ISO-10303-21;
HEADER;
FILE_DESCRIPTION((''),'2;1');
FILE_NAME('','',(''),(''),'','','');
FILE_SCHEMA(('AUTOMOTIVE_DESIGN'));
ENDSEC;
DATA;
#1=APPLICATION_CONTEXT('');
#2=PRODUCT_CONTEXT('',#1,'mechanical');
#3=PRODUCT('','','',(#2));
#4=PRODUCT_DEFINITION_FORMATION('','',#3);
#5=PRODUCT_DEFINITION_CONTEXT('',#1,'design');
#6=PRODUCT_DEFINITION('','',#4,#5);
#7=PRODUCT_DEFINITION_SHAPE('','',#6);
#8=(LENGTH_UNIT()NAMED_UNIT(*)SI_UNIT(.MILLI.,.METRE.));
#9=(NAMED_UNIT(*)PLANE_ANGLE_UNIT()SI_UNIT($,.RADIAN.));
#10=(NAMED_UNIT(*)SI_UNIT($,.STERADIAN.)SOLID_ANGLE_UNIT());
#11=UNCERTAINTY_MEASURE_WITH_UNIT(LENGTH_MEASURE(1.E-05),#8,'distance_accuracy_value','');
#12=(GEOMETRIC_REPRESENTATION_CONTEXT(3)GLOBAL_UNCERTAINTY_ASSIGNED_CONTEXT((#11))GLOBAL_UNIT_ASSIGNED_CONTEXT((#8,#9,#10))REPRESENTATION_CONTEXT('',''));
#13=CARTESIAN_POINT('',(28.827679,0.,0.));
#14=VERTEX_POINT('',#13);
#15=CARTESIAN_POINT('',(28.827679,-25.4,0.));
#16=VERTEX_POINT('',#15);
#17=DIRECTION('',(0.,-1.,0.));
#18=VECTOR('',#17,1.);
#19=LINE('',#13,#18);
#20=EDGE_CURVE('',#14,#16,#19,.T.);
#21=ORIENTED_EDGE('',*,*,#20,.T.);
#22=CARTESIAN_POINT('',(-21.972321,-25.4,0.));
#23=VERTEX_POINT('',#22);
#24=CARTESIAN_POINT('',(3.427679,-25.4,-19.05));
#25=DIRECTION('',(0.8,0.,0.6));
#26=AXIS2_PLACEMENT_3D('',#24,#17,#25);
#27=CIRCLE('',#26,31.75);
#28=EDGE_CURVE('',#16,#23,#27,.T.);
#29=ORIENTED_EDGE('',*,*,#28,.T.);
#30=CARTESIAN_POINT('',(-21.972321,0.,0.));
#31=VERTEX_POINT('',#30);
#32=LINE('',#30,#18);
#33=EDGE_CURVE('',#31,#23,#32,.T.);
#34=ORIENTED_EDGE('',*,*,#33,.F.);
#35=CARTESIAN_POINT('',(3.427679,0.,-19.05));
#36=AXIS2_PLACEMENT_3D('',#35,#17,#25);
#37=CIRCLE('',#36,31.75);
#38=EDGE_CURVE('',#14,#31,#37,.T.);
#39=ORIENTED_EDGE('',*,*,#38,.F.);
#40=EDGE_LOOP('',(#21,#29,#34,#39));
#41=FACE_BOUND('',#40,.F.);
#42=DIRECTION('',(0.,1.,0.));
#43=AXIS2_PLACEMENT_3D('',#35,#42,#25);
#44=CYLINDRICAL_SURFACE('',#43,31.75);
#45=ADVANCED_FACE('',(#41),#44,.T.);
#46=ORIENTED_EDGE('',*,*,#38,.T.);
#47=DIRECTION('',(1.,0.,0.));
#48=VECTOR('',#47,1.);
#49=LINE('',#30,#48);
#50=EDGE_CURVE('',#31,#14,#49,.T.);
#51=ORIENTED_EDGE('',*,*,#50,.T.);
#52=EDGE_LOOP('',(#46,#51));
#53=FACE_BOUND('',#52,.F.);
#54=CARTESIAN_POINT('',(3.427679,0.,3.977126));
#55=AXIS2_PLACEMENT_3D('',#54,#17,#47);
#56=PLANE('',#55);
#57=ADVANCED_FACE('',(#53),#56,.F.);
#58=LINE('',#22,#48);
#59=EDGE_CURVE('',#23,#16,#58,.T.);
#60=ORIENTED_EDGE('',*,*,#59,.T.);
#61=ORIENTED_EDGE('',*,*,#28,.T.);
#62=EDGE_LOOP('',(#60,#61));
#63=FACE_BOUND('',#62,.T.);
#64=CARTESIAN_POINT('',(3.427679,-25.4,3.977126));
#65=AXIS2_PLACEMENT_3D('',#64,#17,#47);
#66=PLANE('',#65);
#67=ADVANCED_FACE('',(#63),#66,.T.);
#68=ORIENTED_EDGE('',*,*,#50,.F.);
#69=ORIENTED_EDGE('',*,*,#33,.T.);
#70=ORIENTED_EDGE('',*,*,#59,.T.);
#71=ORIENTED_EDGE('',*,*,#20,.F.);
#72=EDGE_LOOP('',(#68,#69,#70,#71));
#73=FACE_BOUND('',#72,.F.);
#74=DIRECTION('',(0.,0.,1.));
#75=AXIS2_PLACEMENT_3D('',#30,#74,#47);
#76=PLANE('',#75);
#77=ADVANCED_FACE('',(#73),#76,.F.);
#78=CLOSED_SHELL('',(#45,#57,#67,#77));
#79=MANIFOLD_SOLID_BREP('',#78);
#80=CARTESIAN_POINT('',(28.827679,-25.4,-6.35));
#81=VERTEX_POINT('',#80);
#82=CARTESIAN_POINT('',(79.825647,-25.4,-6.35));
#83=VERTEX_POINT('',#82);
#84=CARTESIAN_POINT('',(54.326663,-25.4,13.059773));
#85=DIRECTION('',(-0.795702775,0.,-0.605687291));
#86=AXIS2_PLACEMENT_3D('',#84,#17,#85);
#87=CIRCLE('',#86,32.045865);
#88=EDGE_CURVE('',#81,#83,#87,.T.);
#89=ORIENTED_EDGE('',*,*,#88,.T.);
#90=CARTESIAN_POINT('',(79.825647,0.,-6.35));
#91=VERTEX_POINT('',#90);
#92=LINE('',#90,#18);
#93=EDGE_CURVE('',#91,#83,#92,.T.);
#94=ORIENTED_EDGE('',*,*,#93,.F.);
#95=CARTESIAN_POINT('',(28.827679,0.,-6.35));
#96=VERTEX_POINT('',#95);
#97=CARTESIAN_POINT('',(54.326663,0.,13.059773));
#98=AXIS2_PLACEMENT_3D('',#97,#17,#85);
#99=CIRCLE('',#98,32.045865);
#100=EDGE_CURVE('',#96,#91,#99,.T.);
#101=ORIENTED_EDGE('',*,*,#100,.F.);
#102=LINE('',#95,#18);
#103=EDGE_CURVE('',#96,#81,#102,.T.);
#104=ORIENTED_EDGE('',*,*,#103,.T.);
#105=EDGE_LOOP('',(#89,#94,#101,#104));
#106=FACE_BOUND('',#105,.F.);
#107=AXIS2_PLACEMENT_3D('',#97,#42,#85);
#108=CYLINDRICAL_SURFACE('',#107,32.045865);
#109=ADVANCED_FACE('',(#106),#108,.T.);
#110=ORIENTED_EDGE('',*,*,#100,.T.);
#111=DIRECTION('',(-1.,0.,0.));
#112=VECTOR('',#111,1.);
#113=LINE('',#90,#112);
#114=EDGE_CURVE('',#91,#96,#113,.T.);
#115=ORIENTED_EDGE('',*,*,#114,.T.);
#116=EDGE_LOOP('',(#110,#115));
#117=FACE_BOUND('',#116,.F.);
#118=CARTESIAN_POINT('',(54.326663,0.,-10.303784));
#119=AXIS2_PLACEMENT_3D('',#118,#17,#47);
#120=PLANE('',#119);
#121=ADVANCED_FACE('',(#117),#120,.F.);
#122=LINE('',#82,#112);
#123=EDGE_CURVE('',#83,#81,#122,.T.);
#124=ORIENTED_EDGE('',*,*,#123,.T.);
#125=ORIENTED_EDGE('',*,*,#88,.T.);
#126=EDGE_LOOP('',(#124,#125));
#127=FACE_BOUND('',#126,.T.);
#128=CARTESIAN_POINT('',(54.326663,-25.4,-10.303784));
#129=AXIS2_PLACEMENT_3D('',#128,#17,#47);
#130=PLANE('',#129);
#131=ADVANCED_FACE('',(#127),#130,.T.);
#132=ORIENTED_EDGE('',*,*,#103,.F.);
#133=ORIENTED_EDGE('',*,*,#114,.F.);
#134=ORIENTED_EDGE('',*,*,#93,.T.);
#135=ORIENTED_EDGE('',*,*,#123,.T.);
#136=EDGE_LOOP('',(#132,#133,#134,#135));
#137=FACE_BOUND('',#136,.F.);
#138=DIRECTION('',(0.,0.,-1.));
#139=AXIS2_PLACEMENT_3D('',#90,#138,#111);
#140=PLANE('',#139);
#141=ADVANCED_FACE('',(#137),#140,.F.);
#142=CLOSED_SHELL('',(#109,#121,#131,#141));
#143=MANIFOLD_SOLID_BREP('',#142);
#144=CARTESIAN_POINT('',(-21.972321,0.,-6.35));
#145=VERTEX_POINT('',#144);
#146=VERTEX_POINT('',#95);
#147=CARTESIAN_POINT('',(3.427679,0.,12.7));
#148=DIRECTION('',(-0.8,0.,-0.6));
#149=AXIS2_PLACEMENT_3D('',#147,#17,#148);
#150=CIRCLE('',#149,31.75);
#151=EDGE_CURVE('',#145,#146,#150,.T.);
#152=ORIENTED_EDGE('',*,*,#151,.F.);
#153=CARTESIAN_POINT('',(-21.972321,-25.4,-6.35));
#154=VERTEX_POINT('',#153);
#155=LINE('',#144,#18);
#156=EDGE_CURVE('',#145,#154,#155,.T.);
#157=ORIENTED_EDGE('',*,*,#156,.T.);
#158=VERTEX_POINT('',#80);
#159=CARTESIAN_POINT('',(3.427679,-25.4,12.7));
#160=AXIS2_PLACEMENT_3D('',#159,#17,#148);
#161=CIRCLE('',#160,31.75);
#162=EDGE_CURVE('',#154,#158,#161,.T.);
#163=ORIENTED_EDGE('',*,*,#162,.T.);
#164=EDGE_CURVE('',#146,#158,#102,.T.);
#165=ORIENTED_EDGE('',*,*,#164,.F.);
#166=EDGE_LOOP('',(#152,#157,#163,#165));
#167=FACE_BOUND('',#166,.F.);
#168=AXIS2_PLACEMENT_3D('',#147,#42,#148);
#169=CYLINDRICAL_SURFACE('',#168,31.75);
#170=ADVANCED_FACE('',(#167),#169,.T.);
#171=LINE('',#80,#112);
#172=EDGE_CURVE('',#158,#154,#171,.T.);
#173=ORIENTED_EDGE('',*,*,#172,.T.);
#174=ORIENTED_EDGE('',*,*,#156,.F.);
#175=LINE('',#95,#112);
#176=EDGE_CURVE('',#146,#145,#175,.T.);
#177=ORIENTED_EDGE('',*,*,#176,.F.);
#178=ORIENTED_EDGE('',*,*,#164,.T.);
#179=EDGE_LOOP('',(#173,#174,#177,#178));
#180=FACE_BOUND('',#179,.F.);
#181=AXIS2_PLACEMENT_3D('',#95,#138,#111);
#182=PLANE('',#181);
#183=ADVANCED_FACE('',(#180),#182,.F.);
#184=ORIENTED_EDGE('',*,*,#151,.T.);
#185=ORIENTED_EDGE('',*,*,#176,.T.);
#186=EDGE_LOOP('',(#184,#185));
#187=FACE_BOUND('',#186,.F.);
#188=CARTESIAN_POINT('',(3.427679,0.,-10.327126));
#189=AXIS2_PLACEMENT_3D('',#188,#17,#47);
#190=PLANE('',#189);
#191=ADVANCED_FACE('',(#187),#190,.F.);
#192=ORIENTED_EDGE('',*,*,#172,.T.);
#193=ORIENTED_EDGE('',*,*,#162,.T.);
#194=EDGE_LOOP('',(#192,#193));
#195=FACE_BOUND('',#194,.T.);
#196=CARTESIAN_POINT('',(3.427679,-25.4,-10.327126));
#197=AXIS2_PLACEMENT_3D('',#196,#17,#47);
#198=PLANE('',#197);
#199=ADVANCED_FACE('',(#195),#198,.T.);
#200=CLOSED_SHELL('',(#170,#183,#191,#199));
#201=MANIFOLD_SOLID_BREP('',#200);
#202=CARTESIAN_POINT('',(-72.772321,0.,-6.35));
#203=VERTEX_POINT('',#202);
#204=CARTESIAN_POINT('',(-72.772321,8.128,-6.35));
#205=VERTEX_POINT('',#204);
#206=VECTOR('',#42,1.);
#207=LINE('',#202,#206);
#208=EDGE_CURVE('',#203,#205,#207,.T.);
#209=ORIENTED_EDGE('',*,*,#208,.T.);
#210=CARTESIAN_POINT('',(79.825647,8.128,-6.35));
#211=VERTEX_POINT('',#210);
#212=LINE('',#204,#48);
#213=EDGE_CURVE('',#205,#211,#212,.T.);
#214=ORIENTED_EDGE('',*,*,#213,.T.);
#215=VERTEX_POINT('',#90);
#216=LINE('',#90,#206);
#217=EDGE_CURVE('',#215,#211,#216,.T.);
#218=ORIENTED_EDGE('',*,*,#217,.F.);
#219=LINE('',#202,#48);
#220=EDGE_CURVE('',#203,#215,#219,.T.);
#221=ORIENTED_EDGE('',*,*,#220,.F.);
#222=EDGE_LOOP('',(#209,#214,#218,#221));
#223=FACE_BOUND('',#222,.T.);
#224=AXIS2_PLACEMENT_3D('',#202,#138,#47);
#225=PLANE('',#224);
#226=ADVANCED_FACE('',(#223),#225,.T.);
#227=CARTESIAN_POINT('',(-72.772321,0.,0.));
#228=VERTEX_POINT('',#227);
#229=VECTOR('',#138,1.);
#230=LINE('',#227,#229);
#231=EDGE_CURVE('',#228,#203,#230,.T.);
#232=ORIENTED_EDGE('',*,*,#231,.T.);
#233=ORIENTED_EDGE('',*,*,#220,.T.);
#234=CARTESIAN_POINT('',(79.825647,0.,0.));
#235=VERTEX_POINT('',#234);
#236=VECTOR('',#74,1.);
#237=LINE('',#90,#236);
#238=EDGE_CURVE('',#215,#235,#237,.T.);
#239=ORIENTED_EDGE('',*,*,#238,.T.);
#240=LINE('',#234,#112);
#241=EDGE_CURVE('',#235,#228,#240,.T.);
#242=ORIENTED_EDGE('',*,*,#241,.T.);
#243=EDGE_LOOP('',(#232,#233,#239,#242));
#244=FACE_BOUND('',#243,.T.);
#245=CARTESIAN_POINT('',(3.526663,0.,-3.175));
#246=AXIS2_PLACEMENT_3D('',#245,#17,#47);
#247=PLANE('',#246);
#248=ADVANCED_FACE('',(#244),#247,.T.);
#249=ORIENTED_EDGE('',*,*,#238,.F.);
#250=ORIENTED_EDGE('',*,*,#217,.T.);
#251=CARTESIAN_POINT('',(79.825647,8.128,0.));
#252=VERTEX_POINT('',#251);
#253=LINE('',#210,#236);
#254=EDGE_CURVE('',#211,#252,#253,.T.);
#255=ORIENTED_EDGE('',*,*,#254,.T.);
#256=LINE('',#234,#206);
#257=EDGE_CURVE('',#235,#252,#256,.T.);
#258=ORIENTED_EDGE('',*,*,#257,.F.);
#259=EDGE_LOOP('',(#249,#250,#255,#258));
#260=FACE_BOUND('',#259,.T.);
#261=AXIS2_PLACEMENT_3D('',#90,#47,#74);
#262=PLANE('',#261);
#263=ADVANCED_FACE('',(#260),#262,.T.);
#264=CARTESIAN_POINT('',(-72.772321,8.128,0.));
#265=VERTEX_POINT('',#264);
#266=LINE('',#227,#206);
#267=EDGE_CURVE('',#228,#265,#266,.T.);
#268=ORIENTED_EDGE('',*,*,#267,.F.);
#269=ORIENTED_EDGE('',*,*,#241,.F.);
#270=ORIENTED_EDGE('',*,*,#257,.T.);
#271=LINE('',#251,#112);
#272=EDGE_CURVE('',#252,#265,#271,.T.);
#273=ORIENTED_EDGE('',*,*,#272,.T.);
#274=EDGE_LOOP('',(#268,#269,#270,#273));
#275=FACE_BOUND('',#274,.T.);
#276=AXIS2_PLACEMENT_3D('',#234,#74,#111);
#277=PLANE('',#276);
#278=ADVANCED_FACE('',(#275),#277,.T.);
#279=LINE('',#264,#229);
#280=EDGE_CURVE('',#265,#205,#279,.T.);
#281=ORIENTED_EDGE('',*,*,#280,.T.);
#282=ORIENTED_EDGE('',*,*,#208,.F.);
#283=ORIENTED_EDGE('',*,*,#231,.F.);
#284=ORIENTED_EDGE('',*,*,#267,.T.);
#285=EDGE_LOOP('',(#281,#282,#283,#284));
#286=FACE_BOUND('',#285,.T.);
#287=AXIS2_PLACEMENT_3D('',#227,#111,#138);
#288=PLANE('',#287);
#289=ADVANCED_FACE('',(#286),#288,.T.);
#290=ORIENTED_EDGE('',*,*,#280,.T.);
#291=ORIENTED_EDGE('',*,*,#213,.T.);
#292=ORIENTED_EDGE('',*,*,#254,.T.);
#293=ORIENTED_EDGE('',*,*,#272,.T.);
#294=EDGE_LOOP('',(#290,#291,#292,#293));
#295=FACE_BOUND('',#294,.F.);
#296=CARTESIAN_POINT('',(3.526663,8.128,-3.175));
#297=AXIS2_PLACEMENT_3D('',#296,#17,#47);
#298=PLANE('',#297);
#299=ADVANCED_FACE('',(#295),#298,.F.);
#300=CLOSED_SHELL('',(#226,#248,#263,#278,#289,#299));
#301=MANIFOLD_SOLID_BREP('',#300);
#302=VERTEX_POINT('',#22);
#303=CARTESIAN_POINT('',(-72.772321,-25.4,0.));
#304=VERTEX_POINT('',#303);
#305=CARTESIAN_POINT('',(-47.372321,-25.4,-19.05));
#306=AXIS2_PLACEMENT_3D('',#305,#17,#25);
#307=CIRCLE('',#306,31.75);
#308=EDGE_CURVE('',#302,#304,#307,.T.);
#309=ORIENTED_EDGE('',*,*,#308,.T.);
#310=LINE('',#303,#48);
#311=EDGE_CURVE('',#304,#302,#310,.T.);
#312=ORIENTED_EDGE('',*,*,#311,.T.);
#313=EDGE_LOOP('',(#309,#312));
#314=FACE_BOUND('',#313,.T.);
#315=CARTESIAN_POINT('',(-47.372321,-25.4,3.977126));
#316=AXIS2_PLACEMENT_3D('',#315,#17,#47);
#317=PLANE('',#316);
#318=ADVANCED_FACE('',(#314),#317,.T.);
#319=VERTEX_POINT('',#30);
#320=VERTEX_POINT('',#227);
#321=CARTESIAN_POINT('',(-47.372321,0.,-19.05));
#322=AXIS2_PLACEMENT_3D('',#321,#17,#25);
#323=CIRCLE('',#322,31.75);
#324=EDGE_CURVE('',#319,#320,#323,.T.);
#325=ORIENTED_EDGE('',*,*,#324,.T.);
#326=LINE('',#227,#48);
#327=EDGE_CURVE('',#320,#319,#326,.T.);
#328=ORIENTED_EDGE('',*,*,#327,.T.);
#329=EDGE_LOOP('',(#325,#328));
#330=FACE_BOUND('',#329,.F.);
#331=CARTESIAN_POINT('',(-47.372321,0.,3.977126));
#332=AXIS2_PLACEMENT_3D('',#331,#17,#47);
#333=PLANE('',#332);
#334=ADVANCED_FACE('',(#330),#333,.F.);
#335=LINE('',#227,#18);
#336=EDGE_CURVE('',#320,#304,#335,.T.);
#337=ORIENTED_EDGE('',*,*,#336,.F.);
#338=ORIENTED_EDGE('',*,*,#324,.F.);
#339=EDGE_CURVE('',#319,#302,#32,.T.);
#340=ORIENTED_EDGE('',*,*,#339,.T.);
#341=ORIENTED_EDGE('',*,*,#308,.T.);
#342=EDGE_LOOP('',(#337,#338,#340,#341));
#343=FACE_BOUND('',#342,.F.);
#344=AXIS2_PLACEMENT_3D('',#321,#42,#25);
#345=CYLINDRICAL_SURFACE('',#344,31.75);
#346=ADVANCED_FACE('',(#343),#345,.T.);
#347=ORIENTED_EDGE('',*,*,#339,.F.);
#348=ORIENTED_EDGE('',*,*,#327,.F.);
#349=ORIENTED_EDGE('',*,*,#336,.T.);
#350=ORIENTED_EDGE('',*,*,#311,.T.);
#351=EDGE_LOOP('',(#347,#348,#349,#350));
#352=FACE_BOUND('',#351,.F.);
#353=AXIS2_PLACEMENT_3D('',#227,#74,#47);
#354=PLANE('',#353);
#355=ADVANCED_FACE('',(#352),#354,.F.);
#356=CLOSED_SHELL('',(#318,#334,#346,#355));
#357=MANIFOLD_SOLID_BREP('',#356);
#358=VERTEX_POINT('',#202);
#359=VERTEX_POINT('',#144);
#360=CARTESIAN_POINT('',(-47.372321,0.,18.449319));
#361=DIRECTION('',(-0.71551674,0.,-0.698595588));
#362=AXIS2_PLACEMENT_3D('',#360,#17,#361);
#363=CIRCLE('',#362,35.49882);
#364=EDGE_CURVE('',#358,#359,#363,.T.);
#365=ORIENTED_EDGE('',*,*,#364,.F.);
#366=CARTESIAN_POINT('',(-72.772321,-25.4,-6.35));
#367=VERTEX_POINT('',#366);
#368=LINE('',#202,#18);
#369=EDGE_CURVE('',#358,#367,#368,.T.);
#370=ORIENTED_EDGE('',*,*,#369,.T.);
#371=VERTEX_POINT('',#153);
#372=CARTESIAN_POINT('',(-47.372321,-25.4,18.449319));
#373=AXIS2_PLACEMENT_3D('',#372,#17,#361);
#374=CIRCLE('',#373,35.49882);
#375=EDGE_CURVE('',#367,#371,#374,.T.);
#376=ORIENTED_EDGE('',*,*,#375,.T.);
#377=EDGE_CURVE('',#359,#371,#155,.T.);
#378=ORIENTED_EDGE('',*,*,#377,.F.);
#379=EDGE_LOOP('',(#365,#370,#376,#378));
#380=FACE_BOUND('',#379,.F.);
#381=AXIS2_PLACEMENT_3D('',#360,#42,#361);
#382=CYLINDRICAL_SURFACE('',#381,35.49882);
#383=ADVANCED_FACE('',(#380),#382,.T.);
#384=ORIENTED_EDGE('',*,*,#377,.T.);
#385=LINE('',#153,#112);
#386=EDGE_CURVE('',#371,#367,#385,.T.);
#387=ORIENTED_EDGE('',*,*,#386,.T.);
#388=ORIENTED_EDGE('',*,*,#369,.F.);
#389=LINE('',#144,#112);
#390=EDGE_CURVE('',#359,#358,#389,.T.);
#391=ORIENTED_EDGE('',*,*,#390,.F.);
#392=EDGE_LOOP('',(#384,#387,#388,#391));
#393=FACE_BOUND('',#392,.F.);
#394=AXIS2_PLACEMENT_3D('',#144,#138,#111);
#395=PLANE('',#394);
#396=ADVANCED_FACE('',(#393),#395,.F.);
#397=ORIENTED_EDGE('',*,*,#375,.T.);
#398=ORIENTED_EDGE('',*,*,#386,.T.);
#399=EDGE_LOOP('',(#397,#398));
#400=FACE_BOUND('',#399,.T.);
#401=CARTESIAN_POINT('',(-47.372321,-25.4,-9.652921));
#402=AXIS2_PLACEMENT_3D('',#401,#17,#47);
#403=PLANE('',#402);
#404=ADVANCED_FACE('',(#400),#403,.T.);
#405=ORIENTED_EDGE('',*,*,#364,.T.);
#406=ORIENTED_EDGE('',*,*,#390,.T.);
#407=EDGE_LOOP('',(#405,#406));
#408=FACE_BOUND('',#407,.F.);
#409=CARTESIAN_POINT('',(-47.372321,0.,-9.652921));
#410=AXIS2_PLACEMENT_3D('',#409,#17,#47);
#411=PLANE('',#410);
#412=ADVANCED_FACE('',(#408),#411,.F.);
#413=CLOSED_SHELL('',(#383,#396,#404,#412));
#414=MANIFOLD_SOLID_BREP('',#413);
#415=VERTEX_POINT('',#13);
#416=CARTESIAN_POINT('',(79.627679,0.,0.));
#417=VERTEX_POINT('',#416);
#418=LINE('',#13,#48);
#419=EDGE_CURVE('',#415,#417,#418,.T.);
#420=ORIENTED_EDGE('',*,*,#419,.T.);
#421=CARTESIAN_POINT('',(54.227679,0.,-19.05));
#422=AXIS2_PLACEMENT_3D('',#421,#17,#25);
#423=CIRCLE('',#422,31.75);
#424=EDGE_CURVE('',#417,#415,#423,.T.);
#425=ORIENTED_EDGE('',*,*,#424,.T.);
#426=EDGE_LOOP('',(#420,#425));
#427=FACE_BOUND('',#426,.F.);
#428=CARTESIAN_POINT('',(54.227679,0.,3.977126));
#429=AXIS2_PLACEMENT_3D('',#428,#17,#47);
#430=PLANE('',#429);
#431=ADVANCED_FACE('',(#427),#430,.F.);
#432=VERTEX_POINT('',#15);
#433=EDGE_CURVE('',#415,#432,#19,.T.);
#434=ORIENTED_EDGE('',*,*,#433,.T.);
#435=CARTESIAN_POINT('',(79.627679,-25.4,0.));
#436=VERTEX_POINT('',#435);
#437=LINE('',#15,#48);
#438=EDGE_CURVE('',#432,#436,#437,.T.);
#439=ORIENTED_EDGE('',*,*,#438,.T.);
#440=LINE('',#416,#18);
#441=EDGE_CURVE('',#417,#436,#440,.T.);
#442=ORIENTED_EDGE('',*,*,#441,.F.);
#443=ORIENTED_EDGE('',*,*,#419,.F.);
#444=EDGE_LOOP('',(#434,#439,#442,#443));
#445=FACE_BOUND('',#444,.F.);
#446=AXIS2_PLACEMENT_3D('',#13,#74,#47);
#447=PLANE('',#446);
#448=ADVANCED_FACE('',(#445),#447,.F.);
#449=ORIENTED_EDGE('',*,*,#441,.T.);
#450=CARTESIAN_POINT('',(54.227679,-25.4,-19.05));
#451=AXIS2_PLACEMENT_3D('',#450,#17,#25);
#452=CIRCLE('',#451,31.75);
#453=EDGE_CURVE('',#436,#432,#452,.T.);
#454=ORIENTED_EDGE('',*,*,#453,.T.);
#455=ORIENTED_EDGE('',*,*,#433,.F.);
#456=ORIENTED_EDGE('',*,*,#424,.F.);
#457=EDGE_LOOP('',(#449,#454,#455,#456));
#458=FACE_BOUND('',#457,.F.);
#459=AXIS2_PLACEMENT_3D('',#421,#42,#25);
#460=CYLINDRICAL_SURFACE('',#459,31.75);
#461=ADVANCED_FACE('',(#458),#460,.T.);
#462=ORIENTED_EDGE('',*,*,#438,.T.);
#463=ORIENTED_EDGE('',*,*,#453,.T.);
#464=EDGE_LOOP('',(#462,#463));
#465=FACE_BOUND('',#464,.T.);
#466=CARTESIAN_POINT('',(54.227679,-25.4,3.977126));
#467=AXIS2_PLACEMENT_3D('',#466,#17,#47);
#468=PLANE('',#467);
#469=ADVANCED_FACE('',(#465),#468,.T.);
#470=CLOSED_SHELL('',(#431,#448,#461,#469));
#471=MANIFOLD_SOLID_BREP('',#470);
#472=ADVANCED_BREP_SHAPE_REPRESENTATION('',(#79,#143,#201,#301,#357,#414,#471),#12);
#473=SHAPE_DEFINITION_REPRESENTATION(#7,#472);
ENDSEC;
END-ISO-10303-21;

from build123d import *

# Parameters (mm, degrees)
F1_DEPTH = 25.4
F2_DEPTH = 8.128


with BuildPart() as f1:
    # F0 (on Front) → F1 (new body)
    with BuildSketch(Plane.XZ):
        with BuildLine():
            Line((-21.972321, -6.35), (-72.772321, -6.35))
            ThreePointArc((-72.772321, -6.35), (-47.372321, -17.049501), (-21.972321, -6.35))
        make_face()
        with BuildLine():
            Line((-72.772321, 0), (-21.972321, 0))
            ThreePointArc((-21.972321, 0), (-47.372321, 12.7), (-72.772321, 0))
        make_face()
        with BuildLine():
            Line((28.827679, -6.35), (-21.972321, -6.35))
            ThreePointArc((-21.972321, -6.35), (3.427679, -19.05), (28.827679, -6.35))
        make_face()
        with BuildLine():
            ThreePointArc((28.827679, 0), (3.427679, 12.7), (-21.972321, 0))
            Line((-21.972321, 0), (28.827679, 0))
        make_face()
        with BuildLine():
            Line((79.825647, -6.35), (28.827679, -6.35))
            ThreePointArc((28.827679, -6.35), (54.326663, -18.986092), (79.825647, -6.35))
        make_face()
        with BuildLine():
            ThreePointArc((79.627679, 0), (54.227679, 12.7), (28.827679, 0))
            Line((28.827679, 0), (79.627679, 0))
        make_face()
    extrude(amount=F1_DEPTH)


with BuildPart() as f2:
    # F0 (on Front) → F2 (new body)
    with BuildSketch(Plane.XZ):
        Polygon((28.827679, 0), (-21.972321, 0), (-72.772321, 0), (-72.772321, -6.35), (-21.972321, -6.35), (28.827679, -6.35), (79.825647, -6.35), (79.825647, 0), (79.627679, 0), align=None)
    extrude(amount=-F2_DEPTH)


solid = Compound([f1.part, f2.part])
